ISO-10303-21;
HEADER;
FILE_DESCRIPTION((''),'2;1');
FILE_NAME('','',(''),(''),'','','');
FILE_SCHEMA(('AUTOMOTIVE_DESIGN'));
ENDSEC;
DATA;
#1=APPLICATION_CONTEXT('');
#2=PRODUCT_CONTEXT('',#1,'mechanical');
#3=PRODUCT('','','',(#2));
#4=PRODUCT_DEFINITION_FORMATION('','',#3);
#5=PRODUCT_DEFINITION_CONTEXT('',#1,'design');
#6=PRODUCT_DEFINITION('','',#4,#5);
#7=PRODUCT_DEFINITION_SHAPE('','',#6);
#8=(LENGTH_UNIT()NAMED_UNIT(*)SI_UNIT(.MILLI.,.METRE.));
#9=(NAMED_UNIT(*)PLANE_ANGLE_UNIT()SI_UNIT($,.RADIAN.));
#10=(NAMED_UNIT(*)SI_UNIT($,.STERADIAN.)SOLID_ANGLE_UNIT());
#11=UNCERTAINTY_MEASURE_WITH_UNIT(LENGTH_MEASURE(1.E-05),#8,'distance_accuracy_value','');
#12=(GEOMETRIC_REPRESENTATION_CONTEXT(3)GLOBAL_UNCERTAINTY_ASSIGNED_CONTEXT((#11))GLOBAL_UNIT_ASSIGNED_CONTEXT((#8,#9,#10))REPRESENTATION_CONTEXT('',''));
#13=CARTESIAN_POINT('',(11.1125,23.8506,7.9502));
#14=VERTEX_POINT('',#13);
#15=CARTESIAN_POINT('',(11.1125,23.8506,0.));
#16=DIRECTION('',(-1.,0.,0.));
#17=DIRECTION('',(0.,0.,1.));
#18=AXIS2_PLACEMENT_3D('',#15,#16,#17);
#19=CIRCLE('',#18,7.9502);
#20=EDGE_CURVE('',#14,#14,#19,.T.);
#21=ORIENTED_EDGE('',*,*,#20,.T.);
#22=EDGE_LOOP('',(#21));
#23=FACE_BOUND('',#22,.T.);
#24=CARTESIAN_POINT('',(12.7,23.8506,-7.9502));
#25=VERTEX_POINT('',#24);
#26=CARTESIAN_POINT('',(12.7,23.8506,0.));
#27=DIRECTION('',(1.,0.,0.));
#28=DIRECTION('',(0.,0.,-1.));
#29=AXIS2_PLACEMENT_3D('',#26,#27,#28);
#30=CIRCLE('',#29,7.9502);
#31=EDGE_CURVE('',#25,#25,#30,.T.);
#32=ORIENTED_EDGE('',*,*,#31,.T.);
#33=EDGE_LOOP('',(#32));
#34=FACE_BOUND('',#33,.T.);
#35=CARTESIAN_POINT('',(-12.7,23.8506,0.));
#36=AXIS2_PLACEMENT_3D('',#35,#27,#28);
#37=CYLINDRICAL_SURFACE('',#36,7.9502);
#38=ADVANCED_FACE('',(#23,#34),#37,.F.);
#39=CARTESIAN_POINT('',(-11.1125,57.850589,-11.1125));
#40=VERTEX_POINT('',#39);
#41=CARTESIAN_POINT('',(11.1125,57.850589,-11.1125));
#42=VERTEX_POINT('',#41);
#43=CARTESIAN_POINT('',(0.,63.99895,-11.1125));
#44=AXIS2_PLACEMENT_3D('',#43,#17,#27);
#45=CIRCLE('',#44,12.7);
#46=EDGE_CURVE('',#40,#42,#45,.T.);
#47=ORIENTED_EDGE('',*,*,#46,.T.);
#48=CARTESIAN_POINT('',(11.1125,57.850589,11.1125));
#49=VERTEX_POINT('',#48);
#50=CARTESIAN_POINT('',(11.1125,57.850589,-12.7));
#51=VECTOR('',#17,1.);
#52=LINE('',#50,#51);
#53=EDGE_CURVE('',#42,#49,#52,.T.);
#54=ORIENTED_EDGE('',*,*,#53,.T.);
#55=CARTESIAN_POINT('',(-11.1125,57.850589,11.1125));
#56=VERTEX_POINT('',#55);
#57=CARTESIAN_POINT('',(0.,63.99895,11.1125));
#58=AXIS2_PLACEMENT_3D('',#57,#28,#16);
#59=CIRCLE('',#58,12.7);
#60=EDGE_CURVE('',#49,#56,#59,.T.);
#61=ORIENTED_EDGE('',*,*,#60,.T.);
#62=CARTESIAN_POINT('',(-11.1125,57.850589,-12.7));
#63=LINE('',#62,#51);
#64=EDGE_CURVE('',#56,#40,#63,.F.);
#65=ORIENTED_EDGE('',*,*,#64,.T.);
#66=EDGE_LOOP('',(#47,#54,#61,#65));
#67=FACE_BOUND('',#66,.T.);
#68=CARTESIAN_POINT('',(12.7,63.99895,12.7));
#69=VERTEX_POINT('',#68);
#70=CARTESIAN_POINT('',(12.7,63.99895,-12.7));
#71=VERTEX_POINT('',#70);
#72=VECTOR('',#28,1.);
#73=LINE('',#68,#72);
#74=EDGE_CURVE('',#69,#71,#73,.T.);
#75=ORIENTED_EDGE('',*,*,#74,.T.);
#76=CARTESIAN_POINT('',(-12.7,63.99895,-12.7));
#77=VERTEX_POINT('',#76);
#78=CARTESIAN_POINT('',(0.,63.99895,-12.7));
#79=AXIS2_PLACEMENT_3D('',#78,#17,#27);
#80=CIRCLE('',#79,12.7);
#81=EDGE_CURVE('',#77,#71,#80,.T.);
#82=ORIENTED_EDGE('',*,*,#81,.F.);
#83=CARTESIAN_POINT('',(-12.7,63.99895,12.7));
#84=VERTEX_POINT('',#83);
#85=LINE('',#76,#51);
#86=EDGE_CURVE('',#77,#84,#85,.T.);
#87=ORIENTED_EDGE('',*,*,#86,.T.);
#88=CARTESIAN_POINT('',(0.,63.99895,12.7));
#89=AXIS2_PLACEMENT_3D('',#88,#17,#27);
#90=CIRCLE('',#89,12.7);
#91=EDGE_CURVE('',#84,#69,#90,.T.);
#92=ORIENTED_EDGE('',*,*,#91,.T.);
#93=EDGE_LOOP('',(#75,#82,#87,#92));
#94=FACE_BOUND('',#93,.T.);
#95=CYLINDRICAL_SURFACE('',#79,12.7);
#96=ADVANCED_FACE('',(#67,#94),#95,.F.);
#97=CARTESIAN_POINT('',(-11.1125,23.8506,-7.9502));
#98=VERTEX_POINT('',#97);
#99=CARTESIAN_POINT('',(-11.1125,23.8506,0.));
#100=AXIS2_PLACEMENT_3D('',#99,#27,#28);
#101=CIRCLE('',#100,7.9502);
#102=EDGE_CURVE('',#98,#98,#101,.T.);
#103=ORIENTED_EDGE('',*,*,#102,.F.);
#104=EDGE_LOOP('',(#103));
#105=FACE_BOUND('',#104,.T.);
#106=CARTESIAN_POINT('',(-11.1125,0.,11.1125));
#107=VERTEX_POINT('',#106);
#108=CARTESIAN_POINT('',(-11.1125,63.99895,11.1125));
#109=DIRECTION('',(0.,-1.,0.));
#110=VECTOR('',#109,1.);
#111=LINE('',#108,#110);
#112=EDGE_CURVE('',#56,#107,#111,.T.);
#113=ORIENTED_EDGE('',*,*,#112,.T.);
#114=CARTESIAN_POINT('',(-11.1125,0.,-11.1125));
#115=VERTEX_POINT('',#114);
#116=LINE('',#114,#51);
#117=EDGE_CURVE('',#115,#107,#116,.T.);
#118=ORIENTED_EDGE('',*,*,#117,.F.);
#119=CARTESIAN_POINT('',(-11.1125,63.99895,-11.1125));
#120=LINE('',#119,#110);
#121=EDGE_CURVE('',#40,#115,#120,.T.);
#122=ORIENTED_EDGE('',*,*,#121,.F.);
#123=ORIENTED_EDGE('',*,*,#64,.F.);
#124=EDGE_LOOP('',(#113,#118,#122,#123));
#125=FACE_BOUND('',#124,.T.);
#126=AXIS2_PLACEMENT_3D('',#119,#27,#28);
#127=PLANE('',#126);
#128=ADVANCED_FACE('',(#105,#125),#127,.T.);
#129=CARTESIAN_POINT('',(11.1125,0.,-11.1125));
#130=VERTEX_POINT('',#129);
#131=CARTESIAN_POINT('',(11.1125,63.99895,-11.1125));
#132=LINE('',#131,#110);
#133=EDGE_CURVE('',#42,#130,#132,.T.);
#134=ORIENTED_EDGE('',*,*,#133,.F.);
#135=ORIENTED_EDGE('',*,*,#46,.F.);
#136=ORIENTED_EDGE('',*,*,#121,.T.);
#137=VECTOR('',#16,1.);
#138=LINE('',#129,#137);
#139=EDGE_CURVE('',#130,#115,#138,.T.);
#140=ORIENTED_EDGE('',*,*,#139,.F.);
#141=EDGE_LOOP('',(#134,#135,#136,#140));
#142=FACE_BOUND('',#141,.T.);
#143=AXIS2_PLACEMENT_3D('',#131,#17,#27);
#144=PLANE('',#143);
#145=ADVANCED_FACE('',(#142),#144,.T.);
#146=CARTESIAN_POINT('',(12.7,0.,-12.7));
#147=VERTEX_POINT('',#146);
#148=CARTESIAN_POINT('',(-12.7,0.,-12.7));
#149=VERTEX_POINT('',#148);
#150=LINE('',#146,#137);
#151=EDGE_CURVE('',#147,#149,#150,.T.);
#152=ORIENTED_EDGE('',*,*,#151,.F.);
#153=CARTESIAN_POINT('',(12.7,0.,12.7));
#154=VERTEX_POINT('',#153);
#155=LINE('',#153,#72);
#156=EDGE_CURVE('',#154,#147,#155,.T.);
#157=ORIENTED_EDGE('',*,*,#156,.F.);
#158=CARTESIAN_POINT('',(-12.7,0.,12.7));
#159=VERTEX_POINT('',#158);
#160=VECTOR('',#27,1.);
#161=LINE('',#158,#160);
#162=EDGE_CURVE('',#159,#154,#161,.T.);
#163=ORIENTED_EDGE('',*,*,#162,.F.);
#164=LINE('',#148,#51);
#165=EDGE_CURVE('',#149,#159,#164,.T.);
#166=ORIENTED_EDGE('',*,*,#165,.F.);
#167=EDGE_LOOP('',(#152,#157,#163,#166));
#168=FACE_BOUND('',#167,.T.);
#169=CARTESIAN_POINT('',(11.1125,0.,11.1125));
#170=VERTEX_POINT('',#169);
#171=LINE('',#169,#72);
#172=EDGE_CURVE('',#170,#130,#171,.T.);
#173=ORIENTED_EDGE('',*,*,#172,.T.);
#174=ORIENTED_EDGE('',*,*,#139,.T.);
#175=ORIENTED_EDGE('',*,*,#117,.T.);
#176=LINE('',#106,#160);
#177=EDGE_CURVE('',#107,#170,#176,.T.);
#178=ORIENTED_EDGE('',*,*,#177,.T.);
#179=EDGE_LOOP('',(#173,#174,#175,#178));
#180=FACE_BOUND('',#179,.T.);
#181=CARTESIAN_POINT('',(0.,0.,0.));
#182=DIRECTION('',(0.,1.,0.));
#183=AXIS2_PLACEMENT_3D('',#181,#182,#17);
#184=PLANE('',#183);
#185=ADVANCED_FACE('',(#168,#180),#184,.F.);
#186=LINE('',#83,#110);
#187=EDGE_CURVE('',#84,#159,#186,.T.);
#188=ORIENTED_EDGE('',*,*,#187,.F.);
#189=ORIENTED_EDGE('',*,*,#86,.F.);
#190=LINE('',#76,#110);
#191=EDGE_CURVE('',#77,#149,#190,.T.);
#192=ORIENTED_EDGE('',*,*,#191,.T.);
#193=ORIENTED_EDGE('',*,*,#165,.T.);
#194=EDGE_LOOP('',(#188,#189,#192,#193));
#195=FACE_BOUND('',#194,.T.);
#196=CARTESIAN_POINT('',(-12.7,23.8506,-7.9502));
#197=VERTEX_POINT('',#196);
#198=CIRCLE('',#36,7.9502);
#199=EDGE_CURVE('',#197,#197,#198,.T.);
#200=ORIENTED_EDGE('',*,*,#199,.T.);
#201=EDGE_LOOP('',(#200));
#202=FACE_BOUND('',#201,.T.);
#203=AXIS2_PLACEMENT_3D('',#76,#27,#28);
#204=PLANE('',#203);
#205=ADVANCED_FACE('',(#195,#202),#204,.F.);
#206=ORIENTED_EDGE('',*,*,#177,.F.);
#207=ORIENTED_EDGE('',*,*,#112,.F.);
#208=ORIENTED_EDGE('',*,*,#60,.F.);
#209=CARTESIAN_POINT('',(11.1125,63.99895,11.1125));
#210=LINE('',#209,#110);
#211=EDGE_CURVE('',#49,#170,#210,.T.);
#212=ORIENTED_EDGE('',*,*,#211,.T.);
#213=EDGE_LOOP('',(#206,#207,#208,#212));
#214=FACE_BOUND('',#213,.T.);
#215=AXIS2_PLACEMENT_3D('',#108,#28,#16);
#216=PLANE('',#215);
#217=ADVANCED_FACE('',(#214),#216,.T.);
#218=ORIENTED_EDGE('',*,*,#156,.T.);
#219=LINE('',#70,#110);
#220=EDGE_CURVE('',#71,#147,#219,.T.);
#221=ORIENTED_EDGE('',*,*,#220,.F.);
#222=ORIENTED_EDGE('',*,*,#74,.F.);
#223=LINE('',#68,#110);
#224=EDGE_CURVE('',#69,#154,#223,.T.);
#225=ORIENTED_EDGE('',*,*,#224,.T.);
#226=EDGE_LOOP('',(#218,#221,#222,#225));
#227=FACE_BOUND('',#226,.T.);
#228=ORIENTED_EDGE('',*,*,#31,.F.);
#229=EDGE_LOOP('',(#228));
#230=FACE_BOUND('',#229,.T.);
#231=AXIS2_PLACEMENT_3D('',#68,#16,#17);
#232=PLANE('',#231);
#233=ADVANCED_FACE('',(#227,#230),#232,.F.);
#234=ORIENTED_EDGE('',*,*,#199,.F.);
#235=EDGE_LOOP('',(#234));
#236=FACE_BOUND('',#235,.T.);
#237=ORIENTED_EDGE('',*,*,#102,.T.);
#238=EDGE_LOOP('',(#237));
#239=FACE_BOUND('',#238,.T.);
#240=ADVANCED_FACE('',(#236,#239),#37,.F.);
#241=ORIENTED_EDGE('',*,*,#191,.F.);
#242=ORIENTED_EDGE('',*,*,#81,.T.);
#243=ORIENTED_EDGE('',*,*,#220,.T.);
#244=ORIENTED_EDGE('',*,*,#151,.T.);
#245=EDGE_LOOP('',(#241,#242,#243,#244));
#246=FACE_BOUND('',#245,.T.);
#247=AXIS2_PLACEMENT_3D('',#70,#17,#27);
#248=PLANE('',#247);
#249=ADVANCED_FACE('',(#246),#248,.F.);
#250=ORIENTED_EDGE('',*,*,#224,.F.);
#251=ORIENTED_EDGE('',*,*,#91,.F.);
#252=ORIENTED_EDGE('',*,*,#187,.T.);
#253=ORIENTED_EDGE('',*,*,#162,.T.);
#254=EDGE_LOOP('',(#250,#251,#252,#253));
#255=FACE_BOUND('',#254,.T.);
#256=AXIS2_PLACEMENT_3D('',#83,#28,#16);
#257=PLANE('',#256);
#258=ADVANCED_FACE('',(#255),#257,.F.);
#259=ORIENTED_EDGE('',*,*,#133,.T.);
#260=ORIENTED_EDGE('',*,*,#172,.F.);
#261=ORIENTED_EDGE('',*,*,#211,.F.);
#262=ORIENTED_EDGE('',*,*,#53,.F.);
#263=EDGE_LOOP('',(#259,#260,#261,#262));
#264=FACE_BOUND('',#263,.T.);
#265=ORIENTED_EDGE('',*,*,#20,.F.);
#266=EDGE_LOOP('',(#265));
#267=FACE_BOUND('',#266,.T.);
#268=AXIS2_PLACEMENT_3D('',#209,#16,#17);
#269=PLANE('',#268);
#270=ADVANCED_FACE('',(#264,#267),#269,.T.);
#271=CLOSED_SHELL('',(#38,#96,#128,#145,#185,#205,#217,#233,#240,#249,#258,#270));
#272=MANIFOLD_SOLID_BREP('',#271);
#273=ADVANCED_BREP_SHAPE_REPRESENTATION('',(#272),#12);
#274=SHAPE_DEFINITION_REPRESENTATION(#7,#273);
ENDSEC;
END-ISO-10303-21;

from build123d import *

# Parameters (mm, degrees)
SKETCH1_W           = 25.4
SKETCH1_H           = 25.4
SKETCH1_W_2         = 22.225
SKETCH1_H_2         = 22.225
BOSS_EXTRUDE1_DEPTH = 63.99895
SKETCH2_R           = 12.7
CUT_EXTRUDE1_DEPTH  = 71.016538054
SKETCH3_R           = 7.9502
CUT_EXTRUDE2_DEPTH  = 71.016538223


with BuildPart() as part:
    # Sketch1 → Boss-Extrude1 (new body)
    with BuildSketch(Plane(origin=(0, 0, 0), x_dir=(1, 0, 0), z_dir=(0, 1, 0))):
        Rectangle(SKETCH1_W, SKETCH1_H)
        Rectangle(SKETCH1_W_2, SKETCH1_H_2, mode=Mode.SUBTRACT)
    extrude(amount=BOSS_EXTRUDE1_DEPTH)

    # Sketch2 → Cut-Extrude1 (cut, through all)
    with BuildSketch(Plane.XY.offset(12.7)):
        with Locations((0, 63.998950185)):
            Circle(SKETCH2_R)
    extrude(amount=-CUT_EXTRUDE1_DEPTH, mode=Mode.SUBTRACT)

    # Sketch3 → Cut-Extrude2 (cut, through all)
    with BuildSketch(Plane(origin=(12.7, 0, 0), x_dir=(0, 0, -1), z_dir=(1, 0, 0))):
        with Locations((0, 23.8506)):
            Circle(SKETCH3_R)
    extrude(amount=-CUT_EXTRUDE2_DEPTH, mode=Mode.SUBTRACT)


solid = part.part
